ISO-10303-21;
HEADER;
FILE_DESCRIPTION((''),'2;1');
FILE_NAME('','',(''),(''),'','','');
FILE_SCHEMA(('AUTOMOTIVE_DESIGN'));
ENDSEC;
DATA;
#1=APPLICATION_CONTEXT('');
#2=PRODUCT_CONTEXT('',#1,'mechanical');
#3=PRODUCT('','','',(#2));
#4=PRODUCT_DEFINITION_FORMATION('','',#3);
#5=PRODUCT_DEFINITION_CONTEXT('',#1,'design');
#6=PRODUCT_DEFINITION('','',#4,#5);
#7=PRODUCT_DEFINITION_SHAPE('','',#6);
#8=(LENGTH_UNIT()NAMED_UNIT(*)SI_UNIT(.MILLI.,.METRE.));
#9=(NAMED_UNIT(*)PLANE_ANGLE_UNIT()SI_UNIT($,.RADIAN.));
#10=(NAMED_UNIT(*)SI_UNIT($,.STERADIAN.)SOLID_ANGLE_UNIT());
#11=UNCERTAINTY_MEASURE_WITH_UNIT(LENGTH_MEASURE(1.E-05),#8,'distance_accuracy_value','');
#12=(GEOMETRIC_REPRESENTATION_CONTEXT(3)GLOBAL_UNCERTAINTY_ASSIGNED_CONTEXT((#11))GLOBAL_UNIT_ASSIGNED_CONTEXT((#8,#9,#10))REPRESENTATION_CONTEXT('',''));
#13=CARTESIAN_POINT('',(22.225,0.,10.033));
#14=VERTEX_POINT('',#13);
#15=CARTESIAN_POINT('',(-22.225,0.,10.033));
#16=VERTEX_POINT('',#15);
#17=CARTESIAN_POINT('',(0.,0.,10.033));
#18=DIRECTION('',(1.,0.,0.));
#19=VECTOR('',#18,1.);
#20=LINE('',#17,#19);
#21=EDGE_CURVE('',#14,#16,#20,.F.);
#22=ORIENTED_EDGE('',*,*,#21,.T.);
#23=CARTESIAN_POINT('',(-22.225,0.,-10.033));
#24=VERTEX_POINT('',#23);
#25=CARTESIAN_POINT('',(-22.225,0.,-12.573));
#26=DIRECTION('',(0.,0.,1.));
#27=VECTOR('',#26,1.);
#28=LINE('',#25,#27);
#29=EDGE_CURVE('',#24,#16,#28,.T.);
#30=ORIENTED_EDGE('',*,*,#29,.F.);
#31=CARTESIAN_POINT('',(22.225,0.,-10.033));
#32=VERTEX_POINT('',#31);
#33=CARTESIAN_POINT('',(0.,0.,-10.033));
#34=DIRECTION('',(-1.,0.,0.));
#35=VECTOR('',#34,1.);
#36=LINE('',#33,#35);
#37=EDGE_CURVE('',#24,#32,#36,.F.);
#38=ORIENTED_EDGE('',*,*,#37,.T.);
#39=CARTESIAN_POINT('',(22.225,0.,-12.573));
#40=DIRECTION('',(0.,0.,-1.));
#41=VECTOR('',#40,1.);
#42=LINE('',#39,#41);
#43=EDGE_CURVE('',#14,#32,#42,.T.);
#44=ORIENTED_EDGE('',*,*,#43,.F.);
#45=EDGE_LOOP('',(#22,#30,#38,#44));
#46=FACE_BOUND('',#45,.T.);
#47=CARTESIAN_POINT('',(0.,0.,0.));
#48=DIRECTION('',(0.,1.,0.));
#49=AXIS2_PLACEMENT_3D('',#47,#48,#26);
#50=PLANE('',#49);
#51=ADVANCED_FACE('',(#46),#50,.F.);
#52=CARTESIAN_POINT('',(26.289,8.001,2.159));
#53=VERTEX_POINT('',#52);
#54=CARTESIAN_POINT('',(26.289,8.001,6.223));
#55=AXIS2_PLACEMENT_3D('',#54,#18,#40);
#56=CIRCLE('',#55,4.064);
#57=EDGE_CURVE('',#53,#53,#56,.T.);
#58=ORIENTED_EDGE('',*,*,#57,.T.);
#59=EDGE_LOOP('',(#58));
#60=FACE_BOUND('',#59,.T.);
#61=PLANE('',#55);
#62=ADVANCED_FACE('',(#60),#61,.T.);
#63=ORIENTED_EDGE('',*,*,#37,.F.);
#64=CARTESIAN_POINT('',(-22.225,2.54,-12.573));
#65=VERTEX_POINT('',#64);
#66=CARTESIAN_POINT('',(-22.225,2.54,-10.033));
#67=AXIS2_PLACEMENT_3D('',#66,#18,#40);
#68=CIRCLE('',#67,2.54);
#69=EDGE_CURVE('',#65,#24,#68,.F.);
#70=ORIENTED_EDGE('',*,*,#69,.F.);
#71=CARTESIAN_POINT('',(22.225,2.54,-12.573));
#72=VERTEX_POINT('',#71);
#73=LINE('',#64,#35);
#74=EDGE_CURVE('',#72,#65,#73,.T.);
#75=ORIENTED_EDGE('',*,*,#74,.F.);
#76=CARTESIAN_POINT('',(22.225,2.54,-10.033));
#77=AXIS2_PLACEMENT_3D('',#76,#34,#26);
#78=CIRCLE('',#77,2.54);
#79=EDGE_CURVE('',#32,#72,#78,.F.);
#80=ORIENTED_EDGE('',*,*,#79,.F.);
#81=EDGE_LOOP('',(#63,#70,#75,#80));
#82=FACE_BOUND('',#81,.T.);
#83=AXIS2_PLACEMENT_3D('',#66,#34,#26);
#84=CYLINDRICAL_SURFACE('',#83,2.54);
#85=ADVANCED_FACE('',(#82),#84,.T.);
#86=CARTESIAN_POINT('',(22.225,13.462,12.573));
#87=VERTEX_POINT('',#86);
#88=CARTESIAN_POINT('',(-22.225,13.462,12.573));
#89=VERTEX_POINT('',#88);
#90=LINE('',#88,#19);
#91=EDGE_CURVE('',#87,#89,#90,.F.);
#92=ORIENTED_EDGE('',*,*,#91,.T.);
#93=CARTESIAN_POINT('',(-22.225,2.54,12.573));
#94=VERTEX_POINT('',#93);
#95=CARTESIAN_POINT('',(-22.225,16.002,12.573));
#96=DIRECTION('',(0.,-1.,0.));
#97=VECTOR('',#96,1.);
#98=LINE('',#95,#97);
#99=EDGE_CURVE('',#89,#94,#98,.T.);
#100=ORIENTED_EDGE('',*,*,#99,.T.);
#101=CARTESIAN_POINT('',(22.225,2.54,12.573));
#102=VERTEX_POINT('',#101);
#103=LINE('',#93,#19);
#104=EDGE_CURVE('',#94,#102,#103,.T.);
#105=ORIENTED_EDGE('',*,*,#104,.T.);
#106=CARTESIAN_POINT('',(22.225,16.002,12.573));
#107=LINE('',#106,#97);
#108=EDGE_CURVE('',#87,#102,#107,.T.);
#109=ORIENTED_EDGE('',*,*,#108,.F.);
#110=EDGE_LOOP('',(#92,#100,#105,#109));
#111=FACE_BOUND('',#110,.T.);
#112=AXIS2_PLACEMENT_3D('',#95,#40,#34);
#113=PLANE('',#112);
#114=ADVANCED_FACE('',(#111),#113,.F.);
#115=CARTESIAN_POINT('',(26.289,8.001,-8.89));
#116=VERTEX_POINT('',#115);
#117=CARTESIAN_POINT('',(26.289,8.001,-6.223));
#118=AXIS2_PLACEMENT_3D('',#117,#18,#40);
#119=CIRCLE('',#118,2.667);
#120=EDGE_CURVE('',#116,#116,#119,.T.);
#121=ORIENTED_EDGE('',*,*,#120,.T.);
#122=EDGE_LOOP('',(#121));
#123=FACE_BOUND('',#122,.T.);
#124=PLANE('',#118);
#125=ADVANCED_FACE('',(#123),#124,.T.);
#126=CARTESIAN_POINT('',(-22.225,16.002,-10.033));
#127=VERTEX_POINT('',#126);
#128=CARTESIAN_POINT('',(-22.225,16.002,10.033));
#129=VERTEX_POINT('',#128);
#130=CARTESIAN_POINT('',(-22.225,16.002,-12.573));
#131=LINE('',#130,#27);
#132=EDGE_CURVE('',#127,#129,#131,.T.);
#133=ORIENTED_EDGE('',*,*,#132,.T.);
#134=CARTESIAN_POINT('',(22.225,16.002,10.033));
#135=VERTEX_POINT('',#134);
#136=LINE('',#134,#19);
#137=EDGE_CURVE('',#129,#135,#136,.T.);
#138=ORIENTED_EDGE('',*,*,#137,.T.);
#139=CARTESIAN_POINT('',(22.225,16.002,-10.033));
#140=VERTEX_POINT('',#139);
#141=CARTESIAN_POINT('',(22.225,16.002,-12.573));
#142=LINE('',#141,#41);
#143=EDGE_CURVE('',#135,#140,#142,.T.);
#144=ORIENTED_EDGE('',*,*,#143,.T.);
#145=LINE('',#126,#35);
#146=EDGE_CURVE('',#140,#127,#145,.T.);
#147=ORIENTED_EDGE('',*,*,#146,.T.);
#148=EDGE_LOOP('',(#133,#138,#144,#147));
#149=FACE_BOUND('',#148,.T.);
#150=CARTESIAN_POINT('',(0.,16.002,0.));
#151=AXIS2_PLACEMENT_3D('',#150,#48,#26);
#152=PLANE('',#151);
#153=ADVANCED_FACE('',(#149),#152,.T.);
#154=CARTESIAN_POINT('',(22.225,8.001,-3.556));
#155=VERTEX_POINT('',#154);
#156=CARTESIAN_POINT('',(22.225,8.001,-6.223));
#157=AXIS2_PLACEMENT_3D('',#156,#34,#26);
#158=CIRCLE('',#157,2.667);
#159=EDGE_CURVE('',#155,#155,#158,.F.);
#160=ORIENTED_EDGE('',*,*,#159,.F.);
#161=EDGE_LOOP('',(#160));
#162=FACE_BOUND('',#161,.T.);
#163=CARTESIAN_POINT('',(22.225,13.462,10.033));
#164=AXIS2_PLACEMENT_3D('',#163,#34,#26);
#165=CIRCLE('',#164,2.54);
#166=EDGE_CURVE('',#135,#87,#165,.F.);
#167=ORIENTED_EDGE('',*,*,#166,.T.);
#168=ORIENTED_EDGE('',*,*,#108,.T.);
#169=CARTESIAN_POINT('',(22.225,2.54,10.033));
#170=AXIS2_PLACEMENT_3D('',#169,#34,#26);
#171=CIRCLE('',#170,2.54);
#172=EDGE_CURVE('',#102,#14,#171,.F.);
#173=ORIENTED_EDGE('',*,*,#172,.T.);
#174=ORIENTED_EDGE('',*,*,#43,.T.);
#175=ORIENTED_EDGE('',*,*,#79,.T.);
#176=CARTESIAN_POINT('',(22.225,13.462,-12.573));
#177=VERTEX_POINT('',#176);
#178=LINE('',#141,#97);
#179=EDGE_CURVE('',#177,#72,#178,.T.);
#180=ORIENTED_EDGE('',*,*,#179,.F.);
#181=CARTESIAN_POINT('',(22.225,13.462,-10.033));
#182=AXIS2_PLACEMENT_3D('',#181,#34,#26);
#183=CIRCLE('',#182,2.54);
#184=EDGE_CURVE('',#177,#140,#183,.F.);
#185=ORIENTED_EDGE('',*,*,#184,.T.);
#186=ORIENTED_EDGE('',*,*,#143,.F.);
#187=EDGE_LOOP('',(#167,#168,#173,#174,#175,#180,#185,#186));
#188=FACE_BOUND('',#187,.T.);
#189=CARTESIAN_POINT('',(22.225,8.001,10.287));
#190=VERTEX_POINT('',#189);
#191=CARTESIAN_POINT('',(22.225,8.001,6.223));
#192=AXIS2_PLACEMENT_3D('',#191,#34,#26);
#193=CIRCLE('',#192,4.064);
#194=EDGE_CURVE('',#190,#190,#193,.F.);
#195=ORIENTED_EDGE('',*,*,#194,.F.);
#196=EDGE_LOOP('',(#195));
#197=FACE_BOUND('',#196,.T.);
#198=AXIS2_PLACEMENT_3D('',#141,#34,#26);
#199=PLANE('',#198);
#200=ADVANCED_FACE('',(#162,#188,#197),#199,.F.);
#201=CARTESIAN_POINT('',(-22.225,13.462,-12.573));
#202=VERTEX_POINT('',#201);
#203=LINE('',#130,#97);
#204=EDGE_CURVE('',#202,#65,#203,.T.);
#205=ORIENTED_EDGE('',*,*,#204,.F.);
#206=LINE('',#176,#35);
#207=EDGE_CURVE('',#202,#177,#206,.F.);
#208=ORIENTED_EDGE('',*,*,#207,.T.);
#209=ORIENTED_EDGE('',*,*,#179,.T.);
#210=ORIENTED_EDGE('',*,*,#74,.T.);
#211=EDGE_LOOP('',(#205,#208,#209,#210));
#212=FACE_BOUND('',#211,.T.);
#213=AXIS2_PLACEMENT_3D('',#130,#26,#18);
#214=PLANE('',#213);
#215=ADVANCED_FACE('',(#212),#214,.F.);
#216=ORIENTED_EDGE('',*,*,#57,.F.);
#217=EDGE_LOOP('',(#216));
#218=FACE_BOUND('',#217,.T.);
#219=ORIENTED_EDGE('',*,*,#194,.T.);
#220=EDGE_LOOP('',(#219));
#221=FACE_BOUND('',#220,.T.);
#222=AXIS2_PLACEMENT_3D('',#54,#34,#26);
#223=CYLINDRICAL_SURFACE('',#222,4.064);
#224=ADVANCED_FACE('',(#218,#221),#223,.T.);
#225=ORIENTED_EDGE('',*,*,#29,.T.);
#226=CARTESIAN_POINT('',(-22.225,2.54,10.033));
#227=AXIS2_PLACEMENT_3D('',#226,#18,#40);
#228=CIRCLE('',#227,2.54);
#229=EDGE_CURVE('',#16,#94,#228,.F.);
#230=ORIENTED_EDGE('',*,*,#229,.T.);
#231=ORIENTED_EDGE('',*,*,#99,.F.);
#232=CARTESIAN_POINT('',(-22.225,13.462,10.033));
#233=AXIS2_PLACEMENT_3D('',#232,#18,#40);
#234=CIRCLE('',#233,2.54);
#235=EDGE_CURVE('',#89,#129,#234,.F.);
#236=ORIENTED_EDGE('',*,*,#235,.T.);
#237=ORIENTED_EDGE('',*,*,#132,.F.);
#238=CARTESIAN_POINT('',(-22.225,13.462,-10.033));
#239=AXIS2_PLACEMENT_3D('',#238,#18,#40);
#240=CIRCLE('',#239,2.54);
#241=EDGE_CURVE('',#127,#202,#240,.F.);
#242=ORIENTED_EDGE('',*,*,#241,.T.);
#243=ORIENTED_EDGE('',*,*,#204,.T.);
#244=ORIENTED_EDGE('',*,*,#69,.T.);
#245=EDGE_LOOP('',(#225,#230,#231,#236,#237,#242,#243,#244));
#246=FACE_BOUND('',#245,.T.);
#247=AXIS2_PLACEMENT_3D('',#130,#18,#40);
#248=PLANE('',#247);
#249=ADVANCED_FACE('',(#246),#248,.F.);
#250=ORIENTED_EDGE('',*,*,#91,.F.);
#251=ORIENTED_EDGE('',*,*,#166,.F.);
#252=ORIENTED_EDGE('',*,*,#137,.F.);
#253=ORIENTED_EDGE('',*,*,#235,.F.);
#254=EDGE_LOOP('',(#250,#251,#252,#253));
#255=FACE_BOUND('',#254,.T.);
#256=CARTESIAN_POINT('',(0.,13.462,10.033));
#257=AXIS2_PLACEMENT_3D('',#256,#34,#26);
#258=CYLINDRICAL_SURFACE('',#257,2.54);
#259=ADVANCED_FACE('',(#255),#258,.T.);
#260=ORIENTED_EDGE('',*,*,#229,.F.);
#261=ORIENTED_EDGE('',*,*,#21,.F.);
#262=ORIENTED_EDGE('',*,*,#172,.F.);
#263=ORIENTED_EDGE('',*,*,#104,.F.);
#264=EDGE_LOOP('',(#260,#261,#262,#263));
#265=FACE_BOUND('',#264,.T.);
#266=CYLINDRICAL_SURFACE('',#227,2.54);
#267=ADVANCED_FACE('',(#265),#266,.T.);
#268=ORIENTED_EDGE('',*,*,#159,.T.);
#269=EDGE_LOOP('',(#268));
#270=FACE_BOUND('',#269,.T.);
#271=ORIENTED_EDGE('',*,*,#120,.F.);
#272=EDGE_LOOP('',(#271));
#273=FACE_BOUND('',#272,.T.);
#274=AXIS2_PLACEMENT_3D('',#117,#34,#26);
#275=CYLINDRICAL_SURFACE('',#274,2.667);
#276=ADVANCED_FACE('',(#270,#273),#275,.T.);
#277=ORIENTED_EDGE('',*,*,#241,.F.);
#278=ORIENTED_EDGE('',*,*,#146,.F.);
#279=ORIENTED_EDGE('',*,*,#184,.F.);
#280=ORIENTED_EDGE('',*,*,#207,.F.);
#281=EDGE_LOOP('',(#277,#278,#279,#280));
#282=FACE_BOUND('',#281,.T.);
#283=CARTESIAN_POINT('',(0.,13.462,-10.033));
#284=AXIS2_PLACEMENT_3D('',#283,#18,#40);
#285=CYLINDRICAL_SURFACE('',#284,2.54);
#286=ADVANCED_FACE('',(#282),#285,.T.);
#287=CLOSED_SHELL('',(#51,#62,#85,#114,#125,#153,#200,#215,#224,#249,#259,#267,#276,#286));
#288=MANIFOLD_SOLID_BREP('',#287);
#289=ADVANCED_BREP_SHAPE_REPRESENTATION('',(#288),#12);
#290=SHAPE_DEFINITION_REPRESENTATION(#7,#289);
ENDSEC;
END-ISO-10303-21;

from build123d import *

# Parameters (mm, degrees)
SKETCH1_W           = 44.45
SKETCH1_H           = 25.146
BOSS_EXTRUDE1_DEPTH = 16.002
FILLET1_R           = 2.54
SKETCH2_R           = 4.064
SKETCH2_R_2         = 2.667
BOSS_EXTRUDE2_DEPTH = 4.064


with BuildPart() as part:
    # Sketch1 → Boss-Extrude1 (new body)
    with BuildSketch(Plane(origin=(0, 0, 0), x_dir=(1, 0, 0), z_dir=(0, 1, 0))):
        Rectangle(SKETCH1_W, SKETCH1_H)
    extrude(amount=BOSS_EXTRUDE1_DEPTH)

    # Fillet1
    fillet1_edges = [part.edges().sort_by_distance(p)[0] for p in [
        (0, 16.002, 12.573),
        (0, 0, 12.573),
        (0, 0, -12.573),
        (0, 16.002, -12.573),
    ]]
    fillet(fillet1_edges, radius=FILLET1_R)

    # Sketch2 → Boss-Extrude2 (add)
    with BuildSketch(Plane(origin=(22.225, 0, 0), x_dir=(0, 0, -1), z_dir=(1, 0, 0))):
        with Locations(Location((-6.223, 8.001, 0), (0, 0, 180))):
            Circle(SKETCH2_R)
        with Locations(Location((6.223, 8.001, 0), (0, 0, 180))):
            Circle(SKETCH2_R_2)
    extrude(amount=BOSS_EXTRUDE2_DEPTH)


solid = part.part
